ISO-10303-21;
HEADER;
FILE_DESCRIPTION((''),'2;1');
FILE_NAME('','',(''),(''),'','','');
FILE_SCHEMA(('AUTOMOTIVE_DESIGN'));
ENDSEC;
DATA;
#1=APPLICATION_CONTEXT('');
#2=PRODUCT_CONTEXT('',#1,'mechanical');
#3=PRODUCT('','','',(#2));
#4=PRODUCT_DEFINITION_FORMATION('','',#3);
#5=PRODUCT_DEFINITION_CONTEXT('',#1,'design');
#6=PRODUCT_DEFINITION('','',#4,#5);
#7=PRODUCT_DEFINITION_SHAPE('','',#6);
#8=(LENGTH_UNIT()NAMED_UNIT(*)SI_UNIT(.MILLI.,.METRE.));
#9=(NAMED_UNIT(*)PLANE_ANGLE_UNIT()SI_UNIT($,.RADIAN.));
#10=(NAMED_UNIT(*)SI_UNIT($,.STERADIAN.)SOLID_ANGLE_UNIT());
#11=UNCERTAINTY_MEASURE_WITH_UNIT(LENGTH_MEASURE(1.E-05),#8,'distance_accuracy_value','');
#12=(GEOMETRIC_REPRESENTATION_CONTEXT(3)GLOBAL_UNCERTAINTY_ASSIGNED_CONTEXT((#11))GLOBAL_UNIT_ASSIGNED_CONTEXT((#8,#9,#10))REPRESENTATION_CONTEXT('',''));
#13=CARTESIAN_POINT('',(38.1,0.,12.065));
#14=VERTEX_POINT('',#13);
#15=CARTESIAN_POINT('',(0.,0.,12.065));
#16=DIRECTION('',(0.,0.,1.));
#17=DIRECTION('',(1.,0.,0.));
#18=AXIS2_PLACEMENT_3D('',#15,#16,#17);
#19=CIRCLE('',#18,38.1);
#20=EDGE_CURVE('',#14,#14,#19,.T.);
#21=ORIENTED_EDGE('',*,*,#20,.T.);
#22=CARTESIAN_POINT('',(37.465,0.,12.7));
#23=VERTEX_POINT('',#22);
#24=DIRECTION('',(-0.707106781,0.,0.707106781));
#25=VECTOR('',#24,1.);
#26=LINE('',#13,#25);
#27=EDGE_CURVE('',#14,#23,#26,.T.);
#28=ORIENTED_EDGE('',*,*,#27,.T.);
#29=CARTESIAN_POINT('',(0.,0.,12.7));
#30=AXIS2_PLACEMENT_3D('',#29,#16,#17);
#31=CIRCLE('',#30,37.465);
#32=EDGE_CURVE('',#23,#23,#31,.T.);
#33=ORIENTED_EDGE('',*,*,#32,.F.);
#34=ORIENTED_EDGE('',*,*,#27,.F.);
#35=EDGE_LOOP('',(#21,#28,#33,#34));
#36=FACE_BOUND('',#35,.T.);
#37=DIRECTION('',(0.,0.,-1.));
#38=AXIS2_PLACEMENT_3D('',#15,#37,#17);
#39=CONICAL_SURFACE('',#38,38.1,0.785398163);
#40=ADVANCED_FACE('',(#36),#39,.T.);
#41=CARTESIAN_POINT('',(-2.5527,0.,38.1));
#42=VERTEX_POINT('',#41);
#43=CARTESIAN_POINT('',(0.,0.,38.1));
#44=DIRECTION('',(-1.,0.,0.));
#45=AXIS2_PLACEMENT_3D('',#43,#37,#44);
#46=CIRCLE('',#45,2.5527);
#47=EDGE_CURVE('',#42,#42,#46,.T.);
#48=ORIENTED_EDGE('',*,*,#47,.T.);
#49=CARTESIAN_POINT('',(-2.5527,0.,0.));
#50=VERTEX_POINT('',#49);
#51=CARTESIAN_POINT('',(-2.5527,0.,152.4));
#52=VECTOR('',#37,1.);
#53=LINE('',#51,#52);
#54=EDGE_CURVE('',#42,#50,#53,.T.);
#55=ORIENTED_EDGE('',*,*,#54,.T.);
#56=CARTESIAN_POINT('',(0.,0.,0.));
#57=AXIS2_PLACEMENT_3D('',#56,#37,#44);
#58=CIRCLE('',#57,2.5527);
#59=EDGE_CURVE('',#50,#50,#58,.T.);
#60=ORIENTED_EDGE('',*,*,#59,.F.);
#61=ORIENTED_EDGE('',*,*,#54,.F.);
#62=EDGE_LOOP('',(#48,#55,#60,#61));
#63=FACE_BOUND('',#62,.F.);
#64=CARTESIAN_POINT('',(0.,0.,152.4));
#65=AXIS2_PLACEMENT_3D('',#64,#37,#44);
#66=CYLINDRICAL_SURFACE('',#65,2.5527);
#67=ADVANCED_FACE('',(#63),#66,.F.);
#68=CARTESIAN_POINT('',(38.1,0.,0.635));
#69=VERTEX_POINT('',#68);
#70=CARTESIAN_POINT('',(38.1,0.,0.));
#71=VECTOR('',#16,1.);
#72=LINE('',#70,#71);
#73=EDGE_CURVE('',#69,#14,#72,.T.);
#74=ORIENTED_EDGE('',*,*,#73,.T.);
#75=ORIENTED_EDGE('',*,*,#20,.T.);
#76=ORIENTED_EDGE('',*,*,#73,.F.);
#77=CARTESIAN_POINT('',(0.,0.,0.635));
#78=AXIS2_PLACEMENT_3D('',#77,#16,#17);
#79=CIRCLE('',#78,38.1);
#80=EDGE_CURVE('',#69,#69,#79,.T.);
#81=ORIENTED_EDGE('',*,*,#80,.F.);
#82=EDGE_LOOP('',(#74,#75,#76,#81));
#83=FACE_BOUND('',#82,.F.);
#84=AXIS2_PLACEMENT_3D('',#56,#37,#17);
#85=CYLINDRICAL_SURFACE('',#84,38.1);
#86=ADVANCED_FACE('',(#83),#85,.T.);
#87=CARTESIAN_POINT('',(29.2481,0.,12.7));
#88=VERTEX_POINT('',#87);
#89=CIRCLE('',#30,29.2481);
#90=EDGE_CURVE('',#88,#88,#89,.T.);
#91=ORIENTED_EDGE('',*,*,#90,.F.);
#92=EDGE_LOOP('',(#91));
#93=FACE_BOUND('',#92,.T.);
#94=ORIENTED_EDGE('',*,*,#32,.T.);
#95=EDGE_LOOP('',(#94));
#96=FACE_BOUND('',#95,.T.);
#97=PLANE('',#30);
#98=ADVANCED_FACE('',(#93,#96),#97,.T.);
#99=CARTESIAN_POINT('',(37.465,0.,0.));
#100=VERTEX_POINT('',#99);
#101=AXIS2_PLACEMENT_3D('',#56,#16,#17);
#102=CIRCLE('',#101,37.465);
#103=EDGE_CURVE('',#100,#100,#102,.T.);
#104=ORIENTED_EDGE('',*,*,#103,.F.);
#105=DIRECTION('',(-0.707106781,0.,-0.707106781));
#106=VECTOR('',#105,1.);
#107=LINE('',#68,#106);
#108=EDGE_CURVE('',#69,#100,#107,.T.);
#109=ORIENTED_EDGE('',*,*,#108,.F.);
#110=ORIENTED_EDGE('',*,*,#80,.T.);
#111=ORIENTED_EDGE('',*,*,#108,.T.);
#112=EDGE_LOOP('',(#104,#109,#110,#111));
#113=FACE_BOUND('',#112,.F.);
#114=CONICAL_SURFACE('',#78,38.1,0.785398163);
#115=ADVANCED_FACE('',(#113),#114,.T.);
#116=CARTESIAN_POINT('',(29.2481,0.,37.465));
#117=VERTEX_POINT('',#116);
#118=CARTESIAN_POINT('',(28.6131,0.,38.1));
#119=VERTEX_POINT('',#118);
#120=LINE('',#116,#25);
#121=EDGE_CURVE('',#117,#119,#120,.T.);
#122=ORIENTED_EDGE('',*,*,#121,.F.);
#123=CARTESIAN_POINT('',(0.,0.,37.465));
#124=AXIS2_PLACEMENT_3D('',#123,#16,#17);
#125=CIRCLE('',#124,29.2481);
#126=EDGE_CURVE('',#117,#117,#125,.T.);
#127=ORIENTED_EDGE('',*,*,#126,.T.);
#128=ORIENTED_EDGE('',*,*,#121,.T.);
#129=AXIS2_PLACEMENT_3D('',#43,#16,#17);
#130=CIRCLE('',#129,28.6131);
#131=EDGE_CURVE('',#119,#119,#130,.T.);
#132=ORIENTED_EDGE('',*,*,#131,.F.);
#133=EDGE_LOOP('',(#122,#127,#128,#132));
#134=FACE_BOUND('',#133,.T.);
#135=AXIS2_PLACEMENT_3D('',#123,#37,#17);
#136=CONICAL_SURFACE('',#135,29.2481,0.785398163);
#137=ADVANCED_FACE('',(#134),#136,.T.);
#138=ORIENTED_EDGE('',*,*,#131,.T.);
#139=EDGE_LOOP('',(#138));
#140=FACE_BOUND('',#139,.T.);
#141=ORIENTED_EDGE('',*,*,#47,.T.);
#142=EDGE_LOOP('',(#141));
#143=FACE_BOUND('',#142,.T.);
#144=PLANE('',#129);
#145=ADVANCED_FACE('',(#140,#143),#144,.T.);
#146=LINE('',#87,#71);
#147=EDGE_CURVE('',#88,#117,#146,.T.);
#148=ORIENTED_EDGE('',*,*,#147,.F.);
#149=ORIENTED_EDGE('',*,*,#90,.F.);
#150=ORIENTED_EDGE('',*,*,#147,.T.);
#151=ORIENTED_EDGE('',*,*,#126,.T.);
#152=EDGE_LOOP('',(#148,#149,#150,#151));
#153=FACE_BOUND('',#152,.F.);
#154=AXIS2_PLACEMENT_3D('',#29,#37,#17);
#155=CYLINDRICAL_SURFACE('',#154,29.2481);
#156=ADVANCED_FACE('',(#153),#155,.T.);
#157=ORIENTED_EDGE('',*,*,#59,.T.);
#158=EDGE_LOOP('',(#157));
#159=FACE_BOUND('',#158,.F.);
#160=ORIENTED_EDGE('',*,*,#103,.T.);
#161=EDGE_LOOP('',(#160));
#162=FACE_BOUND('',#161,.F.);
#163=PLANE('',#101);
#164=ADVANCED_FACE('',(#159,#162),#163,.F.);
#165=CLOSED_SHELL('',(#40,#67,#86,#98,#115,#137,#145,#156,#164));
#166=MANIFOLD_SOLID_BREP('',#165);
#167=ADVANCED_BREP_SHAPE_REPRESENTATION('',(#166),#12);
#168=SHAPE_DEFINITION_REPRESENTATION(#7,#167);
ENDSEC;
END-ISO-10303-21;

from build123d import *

# Parameters (mm, degrees)
F0_R     = 38.1
F1_DEPTH = 12.7
F2_R     = 29.2481
F3_DEPTH = 25.4
F4_SIZE  = 0.635
F6_D     = 5.1054


with BuildPart() as f1:
    # F0 (on Top) → F1 (new body)
    with BuildSketch(Plane.XY):
        Circle(F0_R)
    extrude(amount=F1_DEPTH)

    # F2 (on face) → F3 (join)
    with BuildSketch(Plane.XY.offset(12.7)):
        Circle(F2_R)
    extrude(amount=F3_DEPTH)

    # F4
    f4_edges = [f1.edges().sort_by_distance(p)[0] for p in [
        (-29.2481, 0, 38.1),
        (-38.1, 0, 12.7),
        (-38.1, 0, 0),
    ]]
    chamfer(f4_edges, length=F4_SIZE)

    # F6 (through all)
    with Locations(Plane.XY.offset(38.1)):
        with Locations((0, 0)):
            Hole(F6_D / 2)


solid = f1.part
